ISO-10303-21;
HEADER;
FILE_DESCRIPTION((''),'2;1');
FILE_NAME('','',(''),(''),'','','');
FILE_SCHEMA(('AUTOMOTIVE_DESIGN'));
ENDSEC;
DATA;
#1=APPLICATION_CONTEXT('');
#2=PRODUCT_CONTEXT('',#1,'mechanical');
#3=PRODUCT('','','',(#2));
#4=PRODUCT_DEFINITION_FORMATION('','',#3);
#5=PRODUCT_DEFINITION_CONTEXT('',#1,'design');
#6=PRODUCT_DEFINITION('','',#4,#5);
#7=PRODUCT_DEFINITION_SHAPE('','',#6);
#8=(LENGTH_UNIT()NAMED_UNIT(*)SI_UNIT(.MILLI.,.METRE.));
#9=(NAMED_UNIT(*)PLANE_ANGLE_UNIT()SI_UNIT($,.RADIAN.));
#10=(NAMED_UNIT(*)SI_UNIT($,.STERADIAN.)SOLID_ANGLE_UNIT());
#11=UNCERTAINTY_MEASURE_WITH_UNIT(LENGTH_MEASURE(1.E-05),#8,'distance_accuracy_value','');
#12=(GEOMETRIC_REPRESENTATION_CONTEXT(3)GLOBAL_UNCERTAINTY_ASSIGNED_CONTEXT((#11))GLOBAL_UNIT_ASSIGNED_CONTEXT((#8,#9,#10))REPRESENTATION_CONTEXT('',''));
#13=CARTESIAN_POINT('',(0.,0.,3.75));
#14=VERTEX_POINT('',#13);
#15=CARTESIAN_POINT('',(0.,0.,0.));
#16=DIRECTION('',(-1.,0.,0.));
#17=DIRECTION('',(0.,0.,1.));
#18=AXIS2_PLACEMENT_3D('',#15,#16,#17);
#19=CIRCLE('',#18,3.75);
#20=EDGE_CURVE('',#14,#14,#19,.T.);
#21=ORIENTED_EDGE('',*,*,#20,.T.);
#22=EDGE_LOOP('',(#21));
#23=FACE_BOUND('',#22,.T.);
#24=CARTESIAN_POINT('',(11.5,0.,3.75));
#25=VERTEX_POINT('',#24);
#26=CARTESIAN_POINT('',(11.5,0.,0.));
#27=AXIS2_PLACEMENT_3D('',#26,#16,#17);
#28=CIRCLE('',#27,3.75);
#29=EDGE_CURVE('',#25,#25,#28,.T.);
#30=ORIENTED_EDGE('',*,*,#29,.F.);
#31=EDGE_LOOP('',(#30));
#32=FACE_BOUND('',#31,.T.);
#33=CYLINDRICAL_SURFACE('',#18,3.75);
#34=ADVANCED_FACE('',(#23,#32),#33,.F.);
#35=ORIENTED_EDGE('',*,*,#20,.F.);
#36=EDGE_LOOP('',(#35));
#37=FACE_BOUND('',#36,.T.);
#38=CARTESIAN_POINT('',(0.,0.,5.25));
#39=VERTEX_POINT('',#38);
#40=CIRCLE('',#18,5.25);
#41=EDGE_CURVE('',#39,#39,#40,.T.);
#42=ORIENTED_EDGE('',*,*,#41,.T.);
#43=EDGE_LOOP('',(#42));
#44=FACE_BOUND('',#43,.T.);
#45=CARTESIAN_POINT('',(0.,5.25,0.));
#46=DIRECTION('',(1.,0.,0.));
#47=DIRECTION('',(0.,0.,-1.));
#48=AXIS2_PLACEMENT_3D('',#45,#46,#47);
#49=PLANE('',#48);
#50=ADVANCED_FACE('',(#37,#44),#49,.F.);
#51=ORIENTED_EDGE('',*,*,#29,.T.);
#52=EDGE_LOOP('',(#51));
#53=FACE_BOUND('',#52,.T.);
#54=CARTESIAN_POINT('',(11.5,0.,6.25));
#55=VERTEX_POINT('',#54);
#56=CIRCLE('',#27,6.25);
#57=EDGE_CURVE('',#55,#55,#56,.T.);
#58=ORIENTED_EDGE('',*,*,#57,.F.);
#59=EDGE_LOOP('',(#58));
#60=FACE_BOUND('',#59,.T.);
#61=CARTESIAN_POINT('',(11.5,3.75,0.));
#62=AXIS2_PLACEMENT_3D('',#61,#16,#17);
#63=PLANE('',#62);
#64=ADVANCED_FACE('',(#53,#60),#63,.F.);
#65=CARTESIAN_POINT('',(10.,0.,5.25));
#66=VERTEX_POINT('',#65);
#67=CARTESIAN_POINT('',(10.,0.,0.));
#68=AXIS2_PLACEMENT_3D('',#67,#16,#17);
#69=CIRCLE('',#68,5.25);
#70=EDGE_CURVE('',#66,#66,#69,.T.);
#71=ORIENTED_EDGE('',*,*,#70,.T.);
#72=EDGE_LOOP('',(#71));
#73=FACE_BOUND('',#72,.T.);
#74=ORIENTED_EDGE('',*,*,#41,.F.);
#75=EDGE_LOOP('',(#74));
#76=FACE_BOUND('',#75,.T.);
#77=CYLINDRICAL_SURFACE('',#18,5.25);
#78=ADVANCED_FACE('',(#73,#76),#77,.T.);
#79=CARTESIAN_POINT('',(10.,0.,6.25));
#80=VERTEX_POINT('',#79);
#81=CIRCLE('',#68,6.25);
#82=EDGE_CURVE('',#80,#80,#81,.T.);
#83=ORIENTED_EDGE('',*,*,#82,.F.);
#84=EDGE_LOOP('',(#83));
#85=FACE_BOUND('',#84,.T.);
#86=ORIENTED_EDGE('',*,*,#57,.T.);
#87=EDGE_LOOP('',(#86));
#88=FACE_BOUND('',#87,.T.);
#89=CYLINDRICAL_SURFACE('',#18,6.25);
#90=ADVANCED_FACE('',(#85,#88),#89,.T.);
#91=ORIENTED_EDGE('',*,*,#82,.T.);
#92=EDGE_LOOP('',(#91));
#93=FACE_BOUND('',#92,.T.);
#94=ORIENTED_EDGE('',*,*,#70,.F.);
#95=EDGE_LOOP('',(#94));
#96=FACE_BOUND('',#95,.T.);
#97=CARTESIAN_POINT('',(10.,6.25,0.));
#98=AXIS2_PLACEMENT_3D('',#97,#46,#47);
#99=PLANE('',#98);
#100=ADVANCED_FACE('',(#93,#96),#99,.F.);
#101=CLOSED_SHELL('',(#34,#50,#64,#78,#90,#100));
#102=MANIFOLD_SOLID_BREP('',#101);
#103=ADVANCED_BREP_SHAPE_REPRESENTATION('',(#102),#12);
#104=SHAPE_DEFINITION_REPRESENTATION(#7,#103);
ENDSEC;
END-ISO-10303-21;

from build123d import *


with BuildPart() as part:
    # Sketch1 → Revolve1 (revolve)
    with BuildSketch(Plane.XY, mode=Mode.PRIVATE) as revolve1_sk:
        Polygon((0, 5.25), (0, 3.75), (11.5, 3.75), (11.5, 6.25), (10, 6.25), (10, 5.25), align=None)
    revolve(revolve1_sk.sketch.rotate(Axis((0, 0, 0), (1, 0, 0)), 90), axis=Axis((0, 0, 0), (1, 0, 0)))


solid = part.part
